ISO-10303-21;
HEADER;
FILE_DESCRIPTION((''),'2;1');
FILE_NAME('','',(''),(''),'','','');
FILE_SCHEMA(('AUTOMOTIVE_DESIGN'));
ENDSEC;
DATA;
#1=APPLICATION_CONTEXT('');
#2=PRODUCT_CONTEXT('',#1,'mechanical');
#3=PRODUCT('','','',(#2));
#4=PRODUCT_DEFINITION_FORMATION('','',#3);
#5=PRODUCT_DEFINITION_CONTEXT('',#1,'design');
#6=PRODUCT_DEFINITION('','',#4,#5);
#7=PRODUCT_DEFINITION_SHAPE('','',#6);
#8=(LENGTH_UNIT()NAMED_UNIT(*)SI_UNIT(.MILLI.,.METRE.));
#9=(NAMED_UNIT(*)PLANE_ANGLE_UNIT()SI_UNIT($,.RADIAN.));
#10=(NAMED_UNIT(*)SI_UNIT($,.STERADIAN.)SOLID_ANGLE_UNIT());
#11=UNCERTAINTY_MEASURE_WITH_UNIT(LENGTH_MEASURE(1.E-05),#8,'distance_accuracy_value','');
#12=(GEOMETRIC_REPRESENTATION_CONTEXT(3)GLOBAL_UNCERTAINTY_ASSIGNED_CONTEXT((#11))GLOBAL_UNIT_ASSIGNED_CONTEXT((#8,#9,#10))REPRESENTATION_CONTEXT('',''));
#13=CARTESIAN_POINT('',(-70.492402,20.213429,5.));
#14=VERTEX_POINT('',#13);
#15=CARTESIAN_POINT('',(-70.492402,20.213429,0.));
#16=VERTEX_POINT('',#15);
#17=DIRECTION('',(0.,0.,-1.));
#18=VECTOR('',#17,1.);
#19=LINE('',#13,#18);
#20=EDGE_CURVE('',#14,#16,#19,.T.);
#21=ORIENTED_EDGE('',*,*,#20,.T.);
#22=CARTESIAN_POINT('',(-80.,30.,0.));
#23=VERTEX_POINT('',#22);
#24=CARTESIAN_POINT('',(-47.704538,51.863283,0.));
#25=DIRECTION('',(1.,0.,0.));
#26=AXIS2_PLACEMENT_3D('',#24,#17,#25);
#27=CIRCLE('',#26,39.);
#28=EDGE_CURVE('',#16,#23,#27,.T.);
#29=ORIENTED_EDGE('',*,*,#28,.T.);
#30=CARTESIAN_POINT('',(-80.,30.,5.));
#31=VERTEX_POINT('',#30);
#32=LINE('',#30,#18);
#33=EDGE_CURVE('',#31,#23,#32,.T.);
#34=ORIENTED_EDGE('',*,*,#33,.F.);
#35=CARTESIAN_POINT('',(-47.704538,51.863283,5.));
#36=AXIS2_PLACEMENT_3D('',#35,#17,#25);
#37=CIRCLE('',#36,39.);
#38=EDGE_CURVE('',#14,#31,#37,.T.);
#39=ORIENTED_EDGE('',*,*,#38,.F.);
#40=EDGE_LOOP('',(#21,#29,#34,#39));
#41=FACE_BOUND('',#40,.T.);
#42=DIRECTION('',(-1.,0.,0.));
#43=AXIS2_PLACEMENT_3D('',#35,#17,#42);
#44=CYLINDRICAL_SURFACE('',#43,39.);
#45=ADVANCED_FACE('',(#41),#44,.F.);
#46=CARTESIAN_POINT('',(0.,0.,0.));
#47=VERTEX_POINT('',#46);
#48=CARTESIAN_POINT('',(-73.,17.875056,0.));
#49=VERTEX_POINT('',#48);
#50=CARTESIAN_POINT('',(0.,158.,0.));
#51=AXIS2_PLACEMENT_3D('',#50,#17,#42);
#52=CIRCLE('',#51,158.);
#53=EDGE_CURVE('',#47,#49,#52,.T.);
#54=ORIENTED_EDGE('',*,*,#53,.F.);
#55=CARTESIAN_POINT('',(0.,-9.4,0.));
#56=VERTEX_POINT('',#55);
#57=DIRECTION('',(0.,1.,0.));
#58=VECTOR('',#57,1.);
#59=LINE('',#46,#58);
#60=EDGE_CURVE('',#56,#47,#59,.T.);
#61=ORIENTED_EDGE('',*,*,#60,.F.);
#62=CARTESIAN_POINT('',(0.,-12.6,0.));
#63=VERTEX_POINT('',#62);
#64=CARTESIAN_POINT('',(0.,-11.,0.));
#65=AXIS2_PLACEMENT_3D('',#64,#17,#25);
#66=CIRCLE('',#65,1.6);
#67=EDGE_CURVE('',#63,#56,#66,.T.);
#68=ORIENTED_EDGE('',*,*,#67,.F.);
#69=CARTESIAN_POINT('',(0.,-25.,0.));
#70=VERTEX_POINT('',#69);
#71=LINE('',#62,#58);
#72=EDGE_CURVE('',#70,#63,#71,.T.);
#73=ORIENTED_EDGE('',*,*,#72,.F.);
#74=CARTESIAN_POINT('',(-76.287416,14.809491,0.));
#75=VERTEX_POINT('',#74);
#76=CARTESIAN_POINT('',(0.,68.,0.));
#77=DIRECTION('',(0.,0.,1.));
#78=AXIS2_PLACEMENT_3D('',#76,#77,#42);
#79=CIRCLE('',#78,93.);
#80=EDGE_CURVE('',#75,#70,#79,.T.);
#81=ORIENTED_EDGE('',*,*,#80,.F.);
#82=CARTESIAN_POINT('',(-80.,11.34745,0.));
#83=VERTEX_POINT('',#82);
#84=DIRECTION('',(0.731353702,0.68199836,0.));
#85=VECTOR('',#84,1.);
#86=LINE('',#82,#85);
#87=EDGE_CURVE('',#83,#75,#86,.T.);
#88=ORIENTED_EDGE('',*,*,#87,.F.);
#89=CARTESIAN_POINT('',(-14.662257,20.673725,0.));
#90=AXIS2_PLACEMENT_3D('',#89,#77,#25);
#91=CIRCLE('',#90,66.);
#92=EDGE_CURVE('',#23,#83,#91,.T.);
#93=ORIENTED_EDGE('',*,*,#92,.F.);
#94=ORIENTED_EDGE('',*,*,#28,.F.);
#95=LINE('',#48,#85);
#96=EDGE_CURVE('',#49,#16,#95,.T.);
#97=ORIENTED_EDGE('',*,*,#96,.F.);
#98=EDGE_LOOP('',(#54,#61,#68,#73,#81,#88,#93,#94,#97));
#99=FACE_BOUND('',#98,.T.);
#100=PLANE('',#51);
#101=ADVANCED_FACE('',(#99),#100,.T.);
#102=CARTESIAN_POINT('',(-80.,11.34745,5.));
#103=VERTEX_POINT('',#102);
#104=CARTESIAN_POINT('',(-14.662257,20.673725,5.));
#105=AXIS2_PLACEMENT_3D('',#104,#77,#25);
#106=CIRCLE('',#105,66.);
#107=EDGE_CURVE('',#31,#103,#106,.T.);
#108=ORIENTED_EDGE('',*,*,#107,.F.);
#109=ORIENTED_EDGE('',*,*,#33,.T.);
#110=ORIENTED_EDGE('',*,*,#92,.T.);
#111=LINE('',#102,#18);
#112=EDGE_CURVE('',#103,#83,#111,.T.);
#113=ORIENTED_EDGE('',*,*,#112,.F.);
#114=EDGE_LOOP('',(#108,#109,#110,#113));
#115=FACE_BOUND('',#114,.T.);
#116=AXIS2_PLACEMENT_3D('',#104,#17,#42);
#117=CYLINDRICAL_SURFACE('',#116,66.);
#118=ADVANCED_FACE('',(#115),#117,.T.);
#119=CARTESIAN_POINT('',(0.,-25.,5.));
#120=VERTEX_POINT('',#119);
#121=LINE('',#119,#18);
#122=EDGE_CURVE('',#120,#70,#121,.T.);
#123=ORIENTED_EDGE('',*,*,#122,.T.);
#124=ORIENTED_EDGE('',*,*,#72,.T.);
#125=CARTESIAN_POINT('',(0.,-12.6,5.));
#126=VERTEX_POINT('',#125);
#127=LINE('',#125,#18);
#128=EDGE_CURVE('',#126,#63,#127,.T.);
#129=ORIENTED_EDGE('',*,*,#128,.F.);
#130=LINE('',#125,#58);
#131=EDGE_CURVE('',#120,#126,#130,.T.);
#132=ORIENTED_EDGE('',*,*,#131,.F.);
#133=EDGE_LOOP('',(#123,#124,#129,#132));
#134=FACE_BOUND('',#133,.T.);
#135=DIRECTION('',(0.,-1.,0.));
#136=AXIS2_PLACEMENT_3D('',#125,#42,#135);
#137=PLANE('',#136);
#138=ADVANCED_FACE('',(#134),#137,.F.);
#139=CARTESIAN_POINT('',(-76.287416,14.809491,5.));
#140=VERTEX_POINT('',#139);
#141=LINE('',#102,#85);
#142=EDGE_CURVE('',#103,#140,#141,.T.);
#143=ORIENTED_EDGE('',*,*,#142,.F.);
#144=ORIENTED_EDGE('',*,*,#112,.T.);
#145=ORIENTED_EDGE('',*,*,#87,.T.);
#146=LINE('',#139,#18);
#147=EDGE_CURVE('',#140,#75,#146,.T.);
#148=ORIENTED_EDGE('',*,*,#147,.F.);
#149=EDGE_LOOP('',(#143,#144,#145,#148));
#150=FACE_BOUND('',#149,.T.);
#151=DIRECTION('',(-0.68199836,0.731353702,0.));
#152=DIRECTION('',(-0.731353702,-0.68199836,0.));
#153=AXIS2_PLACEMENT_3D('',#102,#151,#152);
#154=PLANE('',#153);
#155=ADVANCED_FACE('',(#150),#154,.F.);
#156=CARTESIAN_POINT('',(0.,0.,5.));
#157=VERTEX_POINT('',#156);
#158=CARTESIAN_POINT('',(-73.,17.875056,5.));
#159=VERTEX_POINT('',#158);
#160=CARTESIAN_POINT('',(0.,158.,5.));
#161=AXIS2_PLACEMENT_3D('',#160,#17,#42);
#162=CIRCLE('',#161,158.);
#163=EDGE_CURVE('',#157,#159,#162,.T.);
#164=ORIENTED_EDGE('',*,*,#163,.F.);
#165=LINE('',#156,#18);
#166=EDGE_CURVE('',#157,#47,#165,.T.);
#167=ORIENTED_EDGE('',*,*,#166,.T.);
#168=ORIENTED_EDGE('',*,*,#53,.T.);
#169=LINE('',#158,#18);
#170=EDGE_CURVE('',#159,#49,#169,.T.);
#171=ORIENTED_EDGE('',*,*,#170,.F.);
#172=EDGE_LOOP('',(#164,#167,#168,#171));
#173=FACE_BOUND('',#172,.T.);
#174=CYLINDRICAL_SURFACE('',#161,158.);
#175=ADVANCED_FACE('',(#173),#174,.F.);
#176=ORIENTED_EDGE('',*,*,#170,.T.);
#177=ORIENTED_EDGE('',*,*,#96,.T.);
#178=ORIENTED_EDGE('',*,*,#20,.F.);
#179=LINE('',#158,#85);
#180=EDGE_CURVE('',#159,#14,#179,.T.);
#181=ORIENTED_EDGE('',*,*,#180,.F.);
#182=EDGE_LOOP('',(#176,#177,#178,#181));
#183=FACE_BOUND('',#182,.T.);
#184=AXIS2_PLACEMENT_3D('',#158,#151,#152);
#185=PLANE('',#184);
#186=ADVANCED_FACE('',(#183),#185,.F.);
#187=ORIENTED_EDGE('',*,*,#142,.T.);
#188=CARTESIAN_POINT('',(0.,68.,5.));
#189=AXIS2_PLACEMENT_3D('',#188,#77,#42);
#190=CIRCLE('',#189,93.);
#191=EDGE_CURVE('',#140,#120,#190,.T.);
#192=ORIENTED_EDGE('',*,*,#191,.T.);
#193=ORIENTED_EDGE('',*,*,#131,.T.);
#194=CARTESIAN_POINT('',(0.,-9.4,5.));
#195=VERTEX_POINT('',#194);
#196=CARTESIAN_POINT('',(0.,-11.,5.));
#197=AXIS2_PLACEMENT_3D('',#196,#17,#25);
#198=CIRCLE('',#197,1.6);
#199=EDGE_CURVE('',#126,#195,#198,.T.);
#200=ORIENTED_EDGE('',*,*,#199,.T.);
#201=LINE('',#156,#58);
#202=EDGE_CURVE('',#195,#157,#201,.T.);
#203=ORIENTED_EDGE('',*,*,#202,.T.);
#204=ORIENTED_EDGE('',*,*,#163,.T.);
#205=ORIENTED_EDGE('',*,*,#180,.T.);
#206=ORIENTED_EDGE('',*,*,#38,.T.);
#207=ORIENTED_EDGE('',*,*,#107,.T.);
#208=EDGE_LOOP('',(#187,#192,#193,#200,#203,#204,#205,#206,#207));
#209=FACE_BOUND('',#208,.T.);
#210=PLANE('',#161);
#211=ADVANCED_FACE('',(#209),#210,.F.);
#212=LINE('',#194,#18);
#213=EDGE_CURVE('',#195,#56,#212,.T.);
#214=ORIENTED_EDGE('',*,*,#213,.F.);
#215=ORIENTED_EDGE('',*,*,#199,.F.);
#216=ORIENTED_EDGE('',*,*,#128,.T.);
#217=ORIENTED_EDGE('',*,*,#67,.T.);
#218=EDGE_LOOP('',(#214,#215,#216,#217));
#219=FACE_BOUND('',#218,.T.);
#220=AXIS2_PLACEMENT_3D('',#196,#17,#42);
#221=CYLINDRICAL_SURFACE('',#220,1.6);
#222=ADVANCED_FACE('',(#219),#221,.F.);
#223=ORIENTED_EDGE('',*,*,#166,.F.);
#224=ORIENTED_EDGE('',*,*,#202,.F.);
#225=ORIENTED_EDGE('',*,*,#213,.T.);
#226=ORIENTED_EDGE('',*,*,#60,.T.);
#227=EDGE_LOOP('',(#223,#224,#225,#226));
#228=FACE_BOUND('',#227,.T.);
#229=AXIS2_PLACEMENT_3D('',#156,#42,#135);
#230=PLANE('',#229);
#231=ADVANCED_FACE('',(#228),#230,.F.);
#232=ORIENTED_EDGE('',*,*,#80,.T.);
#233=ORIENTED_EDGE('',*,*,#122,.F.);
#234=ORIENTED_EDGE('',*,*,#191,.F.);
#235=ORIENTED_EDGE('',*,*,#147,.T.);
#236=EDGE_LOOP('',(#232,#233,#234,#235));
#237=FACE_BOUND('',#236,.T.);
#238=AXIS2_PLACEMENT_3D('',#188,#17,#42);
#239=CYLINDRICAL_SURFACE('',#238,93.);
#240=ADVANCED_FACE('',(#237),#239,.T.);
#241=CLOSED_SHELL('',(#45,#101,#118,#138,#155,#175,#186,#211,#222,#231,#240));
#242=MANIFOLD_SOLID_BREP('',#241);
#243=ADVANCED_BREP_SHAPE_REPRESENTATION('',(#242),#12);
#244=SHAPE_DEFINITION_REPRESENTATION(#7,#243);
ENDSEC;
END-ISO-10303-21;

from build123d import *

# Parameters (mm, degrees)
EXTRUDE_1_DEPTH = 5


with BuildPart() as part:
    # Эскиз1 → Бобышка-Вытянуть1 (new body)
    with BuildSketch(Plane.XY):
        with BuildLine():
            Line((-80, 11.347450151), (-76.287415542, 14.809491167))
            ThreePointArc((-76.287415542, 14.809491167), (-43.024892089, -14.449127714), (0, -25))
            Line((0, -25), (0, -12.6))
            ThreePointArc((0, -12.6), (-1.6, -11), (0, -9.4))
            Line((0, -9.4), (0, 0))
            ThreePointArc((0, 0), (-37.578310294, 4.533812859), (-73, 17.875055754))
            Line((-73, 17.875055754), (-70.492401879, 20.213428832))
            ThreePointArc((-70.492401879, 20.213428832), (-75.677514984, 24.687695279), (-80, 30))
            ThreePointArc((-80, 30), (-80.662257492, 20.673725075), (-80, 11.347450151))
        make_face()
    extrude(amount=EXTRUDE_1_DEPTH)


solid = part.part
